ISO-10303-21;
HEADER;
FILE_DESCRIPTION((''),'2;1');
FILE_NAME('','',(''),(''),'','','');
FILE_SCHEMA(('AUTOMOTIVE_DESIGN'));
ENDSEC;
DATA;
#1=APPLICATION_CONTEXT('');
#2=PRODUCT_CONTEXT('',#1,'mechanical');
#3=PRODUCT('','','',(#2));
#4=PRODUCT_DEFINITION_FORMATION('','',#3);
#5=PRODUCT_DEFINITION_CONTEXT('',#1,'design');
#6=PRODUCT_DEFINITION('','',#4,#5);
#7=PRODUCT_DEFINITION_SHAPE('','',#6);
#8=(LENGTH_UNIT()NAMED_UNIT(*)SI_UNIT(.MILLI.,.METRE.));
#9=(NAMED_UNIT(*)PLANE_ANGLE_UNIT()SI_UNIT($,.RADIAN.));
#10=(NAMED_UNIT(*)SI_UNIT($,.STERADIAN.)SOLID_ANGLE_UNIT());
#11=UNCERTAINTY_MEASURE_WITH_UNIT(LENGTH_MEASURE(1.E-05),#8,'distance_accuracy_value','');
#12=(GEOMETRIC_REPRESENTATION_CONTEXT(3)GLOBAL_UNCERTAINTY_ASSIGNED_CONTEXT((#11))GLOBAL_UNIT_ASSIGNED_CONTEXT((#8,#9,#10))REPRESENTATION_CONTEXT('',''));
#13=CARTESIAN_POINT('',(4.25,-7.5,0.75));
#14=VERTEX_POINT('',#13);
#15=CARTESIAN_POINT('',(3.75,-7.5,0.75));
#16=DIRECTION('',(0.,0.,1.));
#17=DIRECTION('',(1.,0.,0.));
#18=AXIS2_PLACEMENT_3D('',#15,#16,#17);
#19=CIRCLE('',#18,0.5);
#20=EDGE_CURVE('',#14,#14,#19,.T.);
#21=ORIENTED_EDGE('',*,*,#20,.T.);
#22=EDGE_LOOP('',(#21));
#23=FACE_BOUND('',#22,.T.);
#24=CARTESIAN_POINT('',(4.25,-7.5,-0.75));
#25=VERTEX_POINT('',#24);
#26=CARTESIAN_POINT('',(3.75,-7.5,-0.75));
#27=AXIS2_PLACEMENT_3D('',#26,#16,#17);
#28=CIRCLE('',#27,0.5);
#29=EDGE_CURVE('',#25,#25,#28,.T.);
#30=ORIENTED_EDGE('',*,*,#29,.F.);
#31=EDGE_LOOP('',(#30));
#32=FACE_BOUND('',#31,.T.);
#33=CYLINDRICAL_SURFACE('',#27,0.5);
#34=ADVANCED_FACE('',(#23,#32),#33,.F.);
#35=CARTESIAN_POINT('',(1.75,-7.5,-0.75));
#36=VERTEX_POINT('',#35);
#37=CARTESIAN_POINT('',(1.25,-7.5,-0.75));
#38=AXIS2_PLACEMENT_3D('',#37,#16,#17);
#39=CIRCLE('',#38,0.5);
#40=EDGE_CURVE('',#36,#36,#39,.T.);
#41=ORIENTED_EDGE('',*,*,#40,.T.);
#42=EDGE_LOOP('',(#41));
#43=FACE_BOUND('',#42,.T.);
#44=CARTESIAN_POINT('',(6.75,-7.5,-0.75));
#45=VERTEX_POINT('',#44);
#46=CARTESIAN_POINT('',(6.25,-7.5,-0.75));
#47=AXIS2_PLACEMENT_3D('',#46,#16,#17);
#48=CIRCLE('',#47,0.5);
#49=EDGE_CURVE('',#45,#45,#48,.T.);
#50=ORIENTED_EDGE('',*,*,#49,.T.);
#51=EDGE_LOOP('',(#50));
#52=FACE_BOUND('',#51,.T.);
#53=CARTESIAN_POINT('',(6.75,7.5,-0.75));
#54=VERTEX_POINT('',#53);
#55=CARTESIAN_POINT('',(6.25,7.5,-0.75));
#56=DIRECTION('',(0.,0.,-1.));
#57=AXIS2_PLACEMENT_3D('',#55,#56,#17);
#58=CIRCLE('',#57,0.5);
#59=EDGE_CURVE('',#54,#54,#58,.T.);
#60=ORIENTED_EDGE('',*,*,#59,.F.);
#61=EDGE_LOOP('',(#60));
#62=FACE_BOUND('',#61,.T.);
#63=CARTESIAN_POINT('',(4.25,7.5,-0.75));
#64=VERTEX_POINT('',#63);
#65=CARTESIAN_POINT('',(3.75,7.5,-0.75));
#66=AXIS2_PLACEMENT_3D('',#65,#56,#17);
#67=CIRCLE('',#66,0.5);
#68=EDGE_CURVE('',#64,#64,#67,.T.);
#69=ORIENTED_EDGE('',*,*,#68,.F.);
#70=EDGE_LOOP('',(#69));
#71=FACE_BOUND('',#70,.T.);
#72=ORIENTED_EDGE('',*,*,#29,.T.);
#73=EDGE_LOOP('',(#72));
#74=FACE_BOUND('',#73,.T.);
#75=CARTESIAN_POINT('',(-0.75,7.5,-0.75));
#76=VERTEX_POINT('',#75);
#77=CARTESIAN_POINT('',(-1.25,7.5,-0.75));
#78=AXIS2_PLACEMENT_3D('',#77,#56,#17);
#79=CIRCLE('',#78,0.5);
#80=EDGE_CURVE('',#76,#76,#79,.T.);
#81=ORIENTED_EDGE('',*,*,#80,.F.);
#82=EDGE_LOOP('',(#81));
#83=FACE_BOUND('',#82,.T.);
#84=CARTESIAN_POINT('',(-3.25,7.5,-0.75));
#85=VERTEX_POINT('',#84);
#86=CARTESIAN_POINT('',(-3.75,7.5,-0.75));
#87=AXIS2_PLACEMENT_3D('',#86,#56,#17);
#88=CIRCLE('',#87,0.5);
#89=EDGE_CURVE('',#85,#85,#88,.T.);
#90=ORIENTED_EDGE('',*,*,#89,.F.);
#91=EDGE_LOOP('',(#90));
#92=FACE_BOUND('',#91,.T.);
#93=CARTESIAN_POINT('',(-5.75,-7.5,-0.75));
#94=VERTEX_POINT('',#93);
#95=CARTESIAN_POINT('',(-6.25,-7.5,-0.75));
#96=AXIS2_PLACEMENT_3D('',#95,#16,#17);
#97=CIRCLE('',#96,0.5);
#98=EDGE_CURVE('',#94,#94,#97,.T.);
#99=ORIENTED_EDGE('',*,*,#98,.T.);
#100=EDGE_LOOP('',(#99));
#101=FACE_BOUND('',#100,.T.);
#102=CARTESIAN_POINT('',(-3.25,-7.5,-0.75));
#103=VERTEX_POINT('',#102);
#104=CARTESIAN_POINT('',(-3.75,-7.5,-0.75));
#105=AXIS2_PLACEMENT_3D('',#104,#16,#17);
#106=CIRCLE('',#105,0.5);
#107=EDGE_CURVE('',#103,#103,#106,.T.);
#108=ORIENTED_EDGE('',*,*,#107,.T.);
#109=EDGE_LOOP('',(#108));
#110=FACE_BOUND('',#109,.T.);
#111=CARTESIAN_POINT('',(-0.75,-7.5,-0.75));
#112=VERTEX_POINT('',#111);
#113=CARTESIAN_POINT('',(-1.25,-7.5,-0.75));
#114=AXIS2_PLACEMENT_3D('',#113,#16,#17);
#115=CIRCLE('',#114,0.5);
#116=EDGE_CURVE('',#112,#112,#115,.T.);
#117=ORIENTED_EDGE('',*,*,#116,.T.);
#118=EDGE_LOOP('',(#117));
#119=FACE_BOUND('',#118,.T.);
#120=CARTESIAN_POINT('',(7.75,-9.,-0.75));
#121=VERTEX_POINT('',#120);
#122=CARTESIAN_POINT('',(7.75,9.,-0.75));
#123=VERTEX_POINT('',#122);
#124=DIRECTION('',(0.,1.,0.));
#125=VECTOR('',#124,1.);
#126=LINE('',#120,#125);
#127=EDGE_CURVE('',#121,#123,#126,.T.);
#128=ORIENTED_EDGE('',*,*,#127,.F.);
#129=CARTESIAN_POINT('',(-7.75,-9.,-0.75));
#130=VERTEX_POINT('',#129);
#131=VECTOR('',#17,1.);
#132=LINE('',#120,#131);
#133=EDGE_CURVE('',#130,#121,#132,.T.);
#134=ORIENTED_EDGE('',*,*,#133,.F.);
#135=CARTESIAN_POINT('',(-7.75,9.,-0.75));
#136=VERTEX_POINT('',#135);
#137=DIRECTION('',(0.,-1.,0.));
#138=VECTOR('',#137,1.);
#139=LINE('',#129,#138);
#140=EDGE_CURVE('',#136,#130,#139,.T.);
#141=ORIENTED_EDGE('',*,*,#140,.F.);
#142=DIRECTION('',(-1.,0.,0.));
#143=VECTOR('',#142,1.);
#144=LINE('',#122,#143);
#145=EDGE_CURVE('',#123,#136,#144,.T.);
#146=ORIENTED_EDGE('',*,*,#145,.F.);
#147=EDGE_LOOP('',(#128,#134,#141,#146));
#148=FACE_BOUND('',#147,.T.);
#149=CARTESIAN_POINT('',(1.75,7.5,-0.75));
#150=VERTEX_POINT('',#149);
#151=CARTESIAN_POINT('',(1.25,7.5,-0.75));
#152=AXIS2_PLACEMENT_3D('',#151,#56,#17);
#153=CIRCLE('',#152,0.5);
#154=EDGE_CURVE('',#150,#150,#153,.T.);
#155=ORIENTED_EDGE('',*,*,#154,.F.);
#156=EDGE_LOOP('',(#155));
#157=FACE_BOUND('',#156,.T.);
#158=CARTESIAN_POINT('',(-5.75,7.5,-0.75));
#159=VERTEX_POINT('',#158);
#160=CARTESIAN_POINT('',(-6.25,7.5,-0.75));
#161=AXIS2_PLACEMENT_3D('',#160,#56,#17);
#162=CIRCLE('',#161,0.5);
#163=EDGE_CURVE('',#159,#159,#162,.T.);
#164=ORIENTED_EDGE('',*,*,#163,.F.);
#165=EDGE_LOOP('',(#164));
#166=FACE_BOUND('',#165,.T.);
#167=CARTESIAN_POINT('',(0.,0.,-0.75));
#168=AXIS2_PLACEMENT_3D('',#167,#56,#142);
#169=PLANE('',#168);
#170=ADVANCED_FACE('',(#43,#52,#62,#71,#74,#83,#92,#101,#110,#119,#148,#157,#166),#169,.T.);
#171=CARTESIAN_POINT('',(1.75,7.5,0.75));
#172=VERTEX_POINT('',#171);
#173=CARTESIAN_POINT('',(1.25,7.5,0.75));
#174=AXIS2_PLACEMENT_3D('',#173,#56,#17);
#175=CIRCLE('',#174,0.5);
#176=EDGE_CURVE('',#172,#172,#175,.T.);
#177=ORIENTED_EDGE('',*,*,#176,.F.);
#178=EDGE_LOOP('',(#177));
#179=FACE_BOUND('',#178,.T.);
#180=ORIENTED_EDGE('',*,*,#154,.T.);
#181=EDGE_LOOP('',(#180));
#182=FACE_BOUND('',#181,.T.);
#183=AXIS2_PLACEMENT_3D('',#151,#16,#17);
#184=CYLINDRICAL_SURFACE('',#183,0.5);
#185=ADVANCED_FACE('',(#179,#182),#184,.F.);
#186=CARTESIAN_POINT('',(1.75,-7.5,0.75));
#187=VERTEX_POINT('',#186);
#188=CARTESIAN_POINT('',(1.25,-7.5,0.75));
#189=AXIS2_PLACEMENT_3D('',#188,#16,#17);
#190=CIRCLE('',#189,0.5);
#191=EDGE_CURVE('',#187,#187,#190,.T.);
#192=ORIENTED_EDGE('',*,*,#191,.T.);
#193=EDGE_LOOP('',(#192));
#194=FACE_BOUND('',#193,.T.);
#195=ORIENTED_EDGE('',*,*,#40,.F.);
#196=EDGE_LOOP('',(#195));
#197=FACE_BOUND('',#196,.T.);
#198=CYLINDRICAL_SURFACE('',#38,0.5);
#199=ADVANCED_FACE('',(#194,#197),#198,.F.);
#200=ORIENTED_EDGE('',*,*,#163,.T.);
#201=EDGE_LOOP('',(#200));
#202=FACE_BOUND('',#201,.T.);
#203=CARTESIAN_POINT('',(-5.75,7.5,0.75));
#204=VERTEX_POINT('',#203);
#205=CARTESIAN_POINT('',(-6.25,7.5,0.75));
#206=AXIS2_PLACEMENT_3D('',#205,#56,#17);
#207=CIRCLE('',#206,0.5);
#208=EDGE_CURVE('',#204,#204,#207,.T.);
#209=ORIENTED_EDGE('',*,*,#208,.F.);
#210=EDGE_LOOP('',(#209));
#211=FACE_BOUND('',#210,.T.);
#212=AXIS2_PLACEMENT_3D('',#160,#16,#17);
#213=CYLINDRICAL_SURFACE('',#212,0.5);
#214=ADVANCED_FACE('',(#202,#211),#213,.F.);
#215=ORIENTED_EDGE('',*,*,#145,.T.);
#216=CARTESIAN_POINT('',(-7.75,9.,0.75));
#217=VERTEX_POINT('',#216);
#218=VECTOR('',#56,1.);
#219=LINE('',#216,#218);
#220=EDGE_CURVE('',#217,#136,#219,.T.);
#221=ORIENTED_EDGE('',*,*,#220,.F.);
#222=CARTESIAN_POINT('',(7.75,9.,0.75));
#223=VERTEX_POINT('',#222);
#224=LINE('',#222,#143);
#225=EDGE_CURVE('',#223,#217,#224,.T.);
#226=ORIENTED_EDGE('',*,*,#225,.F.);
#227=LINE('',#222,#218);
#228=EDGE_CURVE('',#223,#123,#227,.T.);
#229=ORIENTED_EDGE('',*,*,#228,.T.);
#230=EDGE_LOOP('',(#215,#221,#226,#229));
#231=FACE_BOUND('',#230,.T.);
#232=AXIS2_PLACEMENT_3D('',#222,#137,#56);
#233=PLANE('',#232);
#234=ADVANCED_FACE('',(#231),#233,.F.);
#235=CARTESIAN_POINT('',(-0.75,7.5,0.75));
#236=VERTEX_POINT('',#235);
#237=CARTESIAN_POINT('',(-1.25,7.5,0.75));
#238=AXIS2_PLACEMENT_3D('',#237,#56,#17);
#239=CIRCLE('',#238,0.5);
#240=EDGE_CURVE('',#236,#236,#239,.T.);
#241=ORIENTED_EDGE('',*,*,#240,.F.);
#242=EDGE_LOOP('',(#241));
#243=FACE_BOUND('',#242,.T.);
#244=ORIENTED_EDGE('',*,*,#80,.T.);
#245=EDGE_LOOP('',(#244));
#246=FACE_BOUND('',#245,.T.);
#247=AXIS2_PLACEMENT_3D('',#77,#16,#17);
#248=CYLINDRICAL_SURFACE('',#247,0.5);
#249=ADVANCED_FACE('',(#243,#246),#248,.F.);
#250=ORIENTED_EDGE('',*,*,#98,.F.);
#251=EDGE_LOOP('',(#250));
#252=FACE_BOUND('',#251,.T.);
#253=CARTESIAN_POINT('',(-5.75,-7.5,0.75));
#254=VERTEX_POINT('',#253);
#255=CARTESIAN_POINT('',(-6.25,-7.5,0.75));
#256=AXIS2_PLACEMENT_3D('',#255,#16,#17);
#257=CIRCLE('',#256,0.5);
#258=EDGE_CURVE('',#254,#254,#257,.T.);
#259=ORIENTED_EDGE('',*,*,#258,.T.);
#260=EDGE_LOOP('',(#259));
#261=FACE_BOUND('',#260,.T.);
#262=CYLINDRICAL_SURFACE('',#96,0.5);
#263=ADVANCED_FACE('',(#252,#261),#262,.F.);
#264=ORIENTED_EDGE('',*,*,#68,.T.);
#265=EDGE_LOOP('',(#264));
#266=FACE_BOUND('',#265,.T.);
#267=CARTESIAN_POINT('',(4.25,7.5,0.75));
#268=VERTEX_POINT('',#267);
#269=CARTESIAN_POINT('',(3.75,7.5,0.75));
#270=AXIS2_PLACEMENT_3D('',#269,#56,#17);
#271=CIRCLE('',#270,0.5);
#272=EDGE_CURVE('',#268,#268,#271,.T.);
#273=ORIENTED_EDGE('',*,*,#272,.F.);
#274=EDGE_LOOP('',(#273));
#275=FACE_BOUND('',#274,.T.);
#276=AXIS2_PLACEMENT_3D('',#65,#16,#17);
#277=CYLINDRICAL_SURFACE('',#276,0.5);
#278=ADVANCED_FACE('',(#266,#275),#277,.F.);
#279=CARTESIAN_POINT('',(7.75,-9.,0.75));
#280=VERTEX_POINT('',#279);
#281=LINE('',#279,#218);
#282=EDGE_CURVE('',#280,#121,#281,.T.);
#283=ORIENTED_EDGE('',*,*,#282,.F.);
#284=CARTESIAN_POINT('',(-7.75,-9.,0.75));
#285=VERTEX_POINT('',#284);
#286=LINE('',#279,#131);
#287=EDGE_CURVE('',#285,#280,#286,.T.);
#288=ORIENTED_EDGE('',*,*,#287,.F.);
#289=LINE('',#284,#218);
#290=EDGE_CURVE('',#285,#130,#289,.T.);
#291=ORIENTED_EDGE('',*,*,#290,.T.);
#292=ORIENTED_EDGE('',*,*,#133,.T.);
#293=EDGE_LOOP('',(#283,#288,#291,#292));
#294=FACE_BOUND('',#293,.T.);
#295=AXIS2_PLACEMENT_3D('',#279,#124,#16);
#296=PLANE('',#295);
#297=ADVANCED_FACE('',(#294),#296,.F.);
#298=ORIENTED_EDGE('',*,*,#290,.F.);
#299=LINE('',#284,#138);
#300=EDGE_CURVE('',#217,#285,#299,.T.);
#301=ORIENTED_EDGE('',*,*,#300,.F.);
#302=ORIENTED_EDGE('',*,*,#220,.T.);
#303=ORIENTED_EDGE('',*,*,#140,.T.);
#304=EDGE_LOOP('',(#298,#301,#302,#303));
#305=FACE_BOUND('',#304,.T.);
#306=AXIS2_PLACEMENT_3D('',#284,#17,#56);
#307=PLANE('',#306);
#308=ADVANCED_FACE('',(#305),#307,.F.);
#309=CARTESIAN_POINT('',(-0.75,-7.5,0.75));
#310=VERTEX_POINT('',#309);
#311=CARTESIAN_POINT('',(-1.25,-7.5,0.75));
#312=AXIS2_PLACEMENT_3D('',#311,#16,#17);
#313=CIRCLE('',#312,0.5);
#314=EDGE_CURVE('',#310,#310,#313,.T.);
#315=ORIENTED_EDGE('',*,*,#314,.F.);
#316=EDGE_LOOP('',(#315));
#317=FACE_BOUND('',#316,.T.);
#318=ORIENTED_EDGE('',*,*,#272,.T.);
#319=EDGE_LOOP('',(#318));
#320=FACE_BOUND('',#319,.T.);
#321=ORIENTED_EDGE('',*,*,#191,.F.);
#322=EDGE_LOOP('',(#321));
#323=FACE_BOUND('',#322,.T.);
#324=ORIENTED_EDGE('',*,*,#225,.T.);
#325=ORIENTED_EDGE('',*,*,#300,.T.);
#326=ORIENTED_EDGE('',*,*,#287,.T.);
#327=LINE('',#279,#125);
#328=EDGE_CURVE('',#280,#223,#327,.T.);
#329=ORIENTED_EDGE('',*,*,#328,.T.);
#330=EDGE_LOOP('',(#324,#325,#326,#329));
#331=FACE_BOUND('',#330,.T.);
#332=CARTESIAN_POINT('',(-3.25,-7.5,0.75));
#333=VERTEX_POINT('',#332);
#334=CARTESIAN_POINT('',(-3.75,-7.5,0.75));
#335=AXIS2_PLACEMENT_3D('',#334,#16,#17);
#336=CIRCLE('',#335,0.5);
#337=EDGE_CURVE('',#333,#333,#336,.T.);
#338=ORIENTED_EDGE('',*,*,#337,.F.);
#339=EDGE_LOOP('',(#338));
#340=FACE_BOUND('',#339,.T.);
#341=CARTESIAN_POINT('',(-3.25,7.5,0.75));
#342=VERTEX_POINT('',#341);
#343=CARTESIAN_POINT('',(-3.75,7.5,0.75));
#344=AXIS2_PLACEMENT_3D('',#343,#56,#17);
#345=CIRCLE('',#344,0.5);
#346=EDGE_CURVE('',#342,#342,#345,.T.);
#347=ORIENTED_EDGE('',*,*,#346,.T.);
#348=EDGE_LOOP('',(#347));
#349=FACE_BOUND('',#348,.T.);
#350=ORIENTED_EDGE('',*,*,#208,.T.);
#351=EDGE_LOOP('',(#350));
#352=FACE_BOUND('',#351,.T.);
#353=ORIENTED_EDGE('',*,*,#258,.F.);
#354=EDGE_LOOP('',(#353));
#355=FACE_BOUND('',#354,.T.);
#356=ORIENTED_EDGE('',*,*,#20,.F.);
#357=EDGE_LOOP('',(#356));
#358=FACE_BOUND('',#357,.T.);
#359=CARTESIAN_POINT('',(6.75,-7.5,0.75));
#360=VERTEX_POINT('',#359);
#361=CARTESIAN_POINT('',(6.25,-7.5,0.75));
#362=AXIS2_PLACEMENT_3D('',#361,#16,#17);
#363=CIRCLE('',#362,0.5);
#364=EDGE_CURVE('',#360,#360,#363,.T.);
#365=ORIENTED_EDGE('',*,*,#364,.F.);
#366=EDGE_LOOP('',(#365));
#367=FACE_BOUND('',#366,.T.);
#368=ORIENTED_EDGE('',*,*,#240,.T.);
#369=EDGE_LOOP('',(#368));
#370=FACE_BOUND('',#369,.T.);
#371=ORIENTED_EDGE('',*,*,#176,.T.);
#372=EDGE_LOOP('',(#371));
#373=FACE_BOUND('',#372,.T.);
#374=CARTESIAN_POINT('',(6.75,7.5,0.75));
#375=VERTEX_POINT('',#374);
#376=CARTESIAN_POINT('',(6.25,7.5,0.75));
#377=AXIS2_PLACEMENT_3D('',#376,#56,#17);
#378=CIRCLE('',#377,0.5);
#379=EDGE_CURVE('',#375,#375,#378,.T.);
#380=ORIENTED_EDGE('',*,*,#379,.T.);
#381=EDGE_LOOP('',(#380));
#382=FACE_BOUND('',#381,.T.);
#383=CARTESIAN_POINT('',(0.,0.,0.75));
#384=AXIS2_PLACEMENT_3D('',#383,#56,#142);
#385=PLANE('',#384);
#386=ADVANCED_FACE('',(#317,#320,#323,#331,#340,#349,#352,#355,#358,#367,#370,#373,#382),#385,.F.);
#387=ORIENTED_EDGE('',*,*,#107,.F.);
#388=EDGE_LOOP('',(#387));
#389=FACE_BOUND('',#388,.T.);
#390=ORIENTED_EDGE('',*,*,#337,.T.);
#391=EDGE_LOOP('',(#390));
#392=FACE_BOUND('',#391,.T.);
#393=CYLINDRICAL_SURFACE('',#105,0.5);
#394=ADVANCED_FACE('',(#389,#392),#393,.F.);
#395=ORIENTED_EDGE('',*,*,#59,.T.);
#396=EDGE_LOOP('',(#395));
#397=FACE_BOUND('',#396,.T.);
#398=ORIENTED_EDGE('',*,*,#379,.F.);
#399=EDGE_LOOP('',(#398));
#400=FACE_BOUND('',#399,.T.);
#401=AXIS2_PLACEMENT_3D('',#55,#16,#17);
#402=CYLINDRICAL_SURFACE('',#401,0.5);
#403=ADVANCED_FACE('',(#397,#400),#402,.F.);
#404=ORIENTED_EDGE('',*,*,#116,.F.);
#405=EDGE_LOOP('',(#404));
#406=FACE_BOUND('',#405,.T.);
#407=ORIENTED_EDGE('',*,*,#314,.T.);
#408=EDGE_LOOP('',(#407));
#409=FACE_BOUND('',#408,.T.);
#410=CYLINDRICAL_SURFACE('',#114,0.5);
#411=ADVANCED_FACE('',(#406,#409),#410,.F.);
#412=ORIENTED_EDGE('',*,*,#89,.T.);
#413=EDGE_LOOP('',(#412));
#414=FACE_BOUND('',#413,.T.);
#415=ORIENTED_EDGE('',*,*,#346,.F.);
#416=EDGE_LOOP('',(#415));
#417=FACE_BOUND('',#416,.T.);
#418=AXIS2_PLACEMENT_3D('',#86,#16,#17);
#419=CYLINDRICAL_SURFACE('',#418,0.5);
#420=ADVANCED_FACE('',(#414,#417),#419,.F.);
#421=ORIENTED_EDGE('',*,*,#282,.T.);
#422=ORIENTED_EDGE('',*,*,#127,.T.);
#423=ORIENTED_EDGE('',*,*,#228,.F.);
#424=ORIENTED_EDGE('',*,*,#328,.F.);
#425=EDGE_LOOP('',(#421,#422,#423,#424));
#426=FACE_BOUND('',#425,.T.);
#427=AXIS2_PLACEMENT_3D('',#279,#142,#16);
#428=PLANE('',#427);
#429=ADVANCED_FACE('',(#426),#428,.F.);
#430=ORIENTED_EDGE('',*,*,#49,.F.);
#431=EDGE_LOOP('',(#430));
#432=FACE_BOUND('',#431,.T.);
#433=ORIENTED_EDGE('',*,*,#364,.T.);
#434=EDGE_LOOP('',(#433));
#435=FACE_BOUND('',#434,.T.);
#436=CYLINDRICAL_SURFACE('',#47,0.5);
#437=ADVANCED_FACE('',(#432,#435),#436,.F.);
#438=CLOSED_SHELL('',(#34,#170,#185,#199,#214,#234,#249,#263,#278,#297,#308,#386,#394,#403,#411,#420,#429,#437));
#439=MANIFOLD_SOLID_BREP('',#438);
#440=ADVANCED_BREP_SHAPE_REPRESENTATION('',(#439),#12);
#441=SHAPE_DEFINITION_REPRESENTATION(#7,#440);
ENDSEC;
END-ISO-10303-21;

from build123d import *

# Parameters (mm, degrees)
SKETCH1_W           = 18
SKETCH1_H           = 15.5
BOSS_EXTRUDE1_DEPTH = 0.75
SKETCH2_R           = 0.5
CUT_EXTRUDE1_DEPTH  = 1.5


with BuildPart() as part:
    # Sketch1 → Boss-Extrude1 (new, symmetric)
    with BuildSketch(Plane(origin=(0, 0, 0), x_dir=(0, 1, 0), z_dir=(0, 0, 1))):
        Rectangle(SKETCH1_W, SKETCH1_H)
    extrude(amount=BOSS_EXTRUDE1_DEPTH, both=True)

    # Sketch2 → Cut-Extrude1 (cut)
    with BuildSketch(Plane.XY.offset(0.75)):
        with Locations((-6.25, -7.5)):
            Circle(SKETCH2_R)
        with Locations((-3.75, -7.5)):
            Circle(SKETCH2_R)
        with Locations((-1.25, -7.5)):
            Circle(SKETCH2_R)
        with Locations((1.25, -7.5)):
            Circle(SKETCH2_R)
        with Locations((3.75, -7.5)):
            Circle(SKETCH2_R)
        with Locations((6.25, -7.5)):
            Circle(SKETCH2_R)
    cut_extrude1 = extrude(amount=-CUT_EXTRUDE1_DEPTH, mode=Mode.SUBTRACT)

    # Mirror1: Cut-Extrude1 across plane
    add(cut_extrude1.mirror(Plane.ZX), mode=Mode.SUBTRACT)


solid = part.part
